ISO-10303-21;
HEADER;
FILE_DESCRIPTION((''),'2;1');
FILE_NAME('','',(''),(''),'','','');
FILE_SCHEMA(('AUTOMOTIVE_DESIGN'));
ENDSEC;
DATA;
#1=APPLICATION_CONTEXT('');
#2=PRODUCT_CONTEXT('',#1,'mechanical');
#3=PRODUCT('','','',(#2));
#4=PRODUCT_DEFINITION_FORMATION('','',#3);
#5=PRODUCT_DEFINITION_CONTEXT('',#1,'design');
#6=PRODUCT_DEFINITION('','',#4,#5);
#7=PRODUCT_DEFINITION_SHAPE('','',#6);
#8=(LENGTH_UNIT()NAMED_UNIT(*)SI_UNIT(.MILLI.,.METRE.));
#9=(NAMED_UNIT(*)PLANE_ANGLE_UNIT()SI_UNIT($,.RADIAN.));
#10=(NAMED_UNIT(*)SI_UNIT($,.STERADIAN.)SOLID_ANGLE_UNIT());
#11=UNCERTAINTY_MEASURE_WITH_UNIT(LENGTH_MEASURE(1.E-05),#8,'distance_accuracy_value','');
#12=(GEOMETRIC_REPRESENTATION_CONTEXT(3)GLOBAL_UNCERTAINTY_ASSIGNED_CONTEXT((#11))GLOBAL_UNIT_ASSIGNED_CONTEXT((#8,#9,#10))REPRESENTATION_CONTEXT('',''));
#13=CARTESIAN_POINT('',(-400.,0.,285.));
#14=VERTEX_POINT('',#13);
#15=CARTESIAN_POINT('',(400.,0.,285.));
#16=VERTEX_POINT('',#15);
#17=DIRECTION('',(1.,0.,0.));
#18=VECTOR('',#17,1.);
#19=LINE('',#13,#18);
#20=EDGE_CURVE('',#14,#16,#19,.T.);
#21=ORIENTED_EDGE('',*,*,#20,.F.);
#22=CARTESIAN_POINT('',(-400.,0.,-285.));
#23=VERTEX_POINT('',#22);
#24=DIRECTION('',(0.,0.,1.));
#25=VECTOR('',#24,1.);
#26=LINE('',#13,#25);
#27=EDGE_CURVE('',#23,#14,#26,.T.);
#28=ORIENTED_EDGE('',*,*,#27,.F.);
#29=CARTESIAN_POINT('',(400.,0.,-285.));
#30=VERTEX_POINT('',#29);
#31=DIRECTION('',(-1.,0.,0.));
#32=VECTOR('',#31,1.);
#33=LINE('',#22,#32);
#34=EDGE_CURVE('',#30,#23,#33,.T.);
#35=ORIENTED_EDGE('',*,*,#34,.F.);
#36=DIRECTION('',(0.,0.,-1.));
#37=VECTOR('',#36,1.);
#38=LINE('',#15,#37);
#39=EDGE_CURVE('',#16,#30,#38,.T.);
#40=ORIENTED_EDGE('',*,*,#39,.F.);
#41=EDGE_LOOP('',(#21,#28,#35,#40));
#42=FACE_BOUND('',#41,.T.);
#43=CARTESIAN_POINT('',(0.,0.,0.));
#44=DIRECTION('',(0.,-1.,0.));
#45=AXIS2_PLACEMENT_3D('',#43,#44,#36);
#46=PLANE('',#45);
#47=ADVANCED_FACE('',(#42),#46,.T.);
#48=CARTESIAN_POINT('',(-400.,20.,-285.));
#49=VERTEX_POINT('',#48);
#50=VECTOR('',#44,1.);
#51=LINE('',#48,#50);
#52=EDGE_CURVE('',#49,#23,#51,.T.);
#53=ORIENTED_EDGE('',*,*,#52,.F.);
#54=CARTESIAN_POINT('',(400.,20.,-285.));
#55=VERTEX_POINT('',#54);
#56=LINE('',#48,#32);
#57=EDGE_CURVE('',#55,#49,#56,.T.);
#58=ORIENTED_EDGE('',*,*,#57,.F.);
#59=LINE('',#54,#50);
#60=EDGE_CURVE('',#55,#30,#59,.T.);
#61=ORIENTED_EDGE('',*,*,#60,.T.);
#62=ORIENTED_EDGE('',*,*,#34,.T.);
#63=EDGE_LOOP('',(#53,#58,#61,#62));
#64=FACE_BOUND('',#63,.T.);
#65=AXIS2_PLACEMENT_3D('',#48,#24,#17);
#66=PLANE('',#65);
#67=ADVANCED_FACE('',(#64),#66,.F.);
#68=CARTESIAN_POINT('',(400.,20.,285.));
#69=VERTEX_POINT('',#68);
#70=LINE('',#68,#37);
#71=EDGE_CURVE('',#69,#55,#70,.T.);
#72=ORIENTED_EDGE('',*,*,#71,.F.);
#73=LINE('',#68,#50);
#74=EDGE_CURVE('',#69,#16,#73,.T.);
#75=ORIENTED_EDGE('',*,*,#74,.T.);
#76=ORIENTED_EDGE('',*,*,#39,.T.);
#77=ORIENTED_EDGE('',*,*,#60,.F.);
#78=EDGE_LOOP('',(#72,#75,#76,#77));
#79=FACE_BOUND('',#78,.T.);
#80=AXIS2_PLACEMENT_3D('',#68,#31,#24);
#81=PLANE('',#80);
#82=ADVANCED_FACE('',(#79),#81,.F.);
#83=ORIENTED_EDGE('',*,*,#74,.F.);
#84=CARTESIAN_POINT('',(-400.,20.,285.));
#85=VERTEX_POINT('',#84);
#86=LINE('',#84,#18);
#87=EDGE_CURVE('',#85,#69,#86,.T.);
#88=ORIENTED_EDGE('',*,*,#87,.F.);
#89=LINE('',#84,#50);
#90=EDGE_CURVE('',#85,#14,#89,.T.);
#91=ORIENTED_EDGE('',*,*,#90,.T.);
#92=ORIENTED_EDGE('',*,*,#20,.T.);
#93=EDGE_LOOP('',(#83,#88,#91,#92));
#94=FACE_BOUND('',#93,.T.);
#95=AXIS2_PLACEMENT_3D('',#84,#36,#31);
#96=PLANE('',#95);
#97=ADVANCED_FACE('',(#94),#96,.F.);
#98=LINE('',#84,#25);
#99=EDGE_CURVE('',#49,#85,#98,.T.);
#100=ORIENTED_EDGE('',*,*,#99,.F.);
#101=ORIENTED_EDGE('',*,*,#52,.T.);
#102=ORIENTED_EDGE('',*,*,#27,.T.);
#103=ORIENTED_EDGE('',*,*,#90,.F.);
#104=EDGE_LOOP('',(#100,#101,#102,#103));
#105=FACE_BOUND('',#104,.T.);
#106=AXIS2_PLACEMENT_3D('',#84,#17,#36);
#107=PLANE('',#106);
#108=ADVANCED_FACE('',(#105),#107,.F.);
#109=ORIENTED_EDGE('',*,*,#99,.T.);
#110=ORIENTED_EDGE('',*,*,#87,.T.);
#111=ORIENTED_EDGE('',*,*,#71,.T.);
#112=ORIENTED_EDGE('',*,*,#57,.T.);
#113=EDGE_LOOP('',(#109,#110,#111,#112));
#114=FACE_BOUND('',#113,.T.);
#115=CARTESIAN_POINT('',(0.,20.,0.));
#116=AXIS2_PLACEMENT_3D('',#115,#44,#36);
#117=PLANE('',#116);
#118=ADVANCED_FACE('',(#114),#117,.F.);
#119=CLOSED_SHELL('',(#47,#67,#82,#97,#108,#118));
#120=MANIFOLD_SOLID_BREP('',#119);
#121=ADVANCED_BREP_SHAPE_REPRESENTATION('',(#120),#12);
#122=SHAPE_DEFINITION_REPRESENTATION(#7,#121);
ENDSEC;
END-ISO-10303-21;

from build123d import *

# Parameters (mm, degrees)
SKETCH1_W      = 800
SKETCH1_H      = 570
EXTRUDE1_DEPTH = 20


with BuildPart() as part:
    # Sketch1 → Extrude1 (new body)
    with BuildSketch(Plane(origin=(0, 0, 0), x_dir=(1, 0, 0), z_dir=(0, 1, 0))):
        Rectangle(SKETCH1_W, SKETCH1_H)
    extrude(amount=EXTRUDE1_DEPTH)


solid = part.part
